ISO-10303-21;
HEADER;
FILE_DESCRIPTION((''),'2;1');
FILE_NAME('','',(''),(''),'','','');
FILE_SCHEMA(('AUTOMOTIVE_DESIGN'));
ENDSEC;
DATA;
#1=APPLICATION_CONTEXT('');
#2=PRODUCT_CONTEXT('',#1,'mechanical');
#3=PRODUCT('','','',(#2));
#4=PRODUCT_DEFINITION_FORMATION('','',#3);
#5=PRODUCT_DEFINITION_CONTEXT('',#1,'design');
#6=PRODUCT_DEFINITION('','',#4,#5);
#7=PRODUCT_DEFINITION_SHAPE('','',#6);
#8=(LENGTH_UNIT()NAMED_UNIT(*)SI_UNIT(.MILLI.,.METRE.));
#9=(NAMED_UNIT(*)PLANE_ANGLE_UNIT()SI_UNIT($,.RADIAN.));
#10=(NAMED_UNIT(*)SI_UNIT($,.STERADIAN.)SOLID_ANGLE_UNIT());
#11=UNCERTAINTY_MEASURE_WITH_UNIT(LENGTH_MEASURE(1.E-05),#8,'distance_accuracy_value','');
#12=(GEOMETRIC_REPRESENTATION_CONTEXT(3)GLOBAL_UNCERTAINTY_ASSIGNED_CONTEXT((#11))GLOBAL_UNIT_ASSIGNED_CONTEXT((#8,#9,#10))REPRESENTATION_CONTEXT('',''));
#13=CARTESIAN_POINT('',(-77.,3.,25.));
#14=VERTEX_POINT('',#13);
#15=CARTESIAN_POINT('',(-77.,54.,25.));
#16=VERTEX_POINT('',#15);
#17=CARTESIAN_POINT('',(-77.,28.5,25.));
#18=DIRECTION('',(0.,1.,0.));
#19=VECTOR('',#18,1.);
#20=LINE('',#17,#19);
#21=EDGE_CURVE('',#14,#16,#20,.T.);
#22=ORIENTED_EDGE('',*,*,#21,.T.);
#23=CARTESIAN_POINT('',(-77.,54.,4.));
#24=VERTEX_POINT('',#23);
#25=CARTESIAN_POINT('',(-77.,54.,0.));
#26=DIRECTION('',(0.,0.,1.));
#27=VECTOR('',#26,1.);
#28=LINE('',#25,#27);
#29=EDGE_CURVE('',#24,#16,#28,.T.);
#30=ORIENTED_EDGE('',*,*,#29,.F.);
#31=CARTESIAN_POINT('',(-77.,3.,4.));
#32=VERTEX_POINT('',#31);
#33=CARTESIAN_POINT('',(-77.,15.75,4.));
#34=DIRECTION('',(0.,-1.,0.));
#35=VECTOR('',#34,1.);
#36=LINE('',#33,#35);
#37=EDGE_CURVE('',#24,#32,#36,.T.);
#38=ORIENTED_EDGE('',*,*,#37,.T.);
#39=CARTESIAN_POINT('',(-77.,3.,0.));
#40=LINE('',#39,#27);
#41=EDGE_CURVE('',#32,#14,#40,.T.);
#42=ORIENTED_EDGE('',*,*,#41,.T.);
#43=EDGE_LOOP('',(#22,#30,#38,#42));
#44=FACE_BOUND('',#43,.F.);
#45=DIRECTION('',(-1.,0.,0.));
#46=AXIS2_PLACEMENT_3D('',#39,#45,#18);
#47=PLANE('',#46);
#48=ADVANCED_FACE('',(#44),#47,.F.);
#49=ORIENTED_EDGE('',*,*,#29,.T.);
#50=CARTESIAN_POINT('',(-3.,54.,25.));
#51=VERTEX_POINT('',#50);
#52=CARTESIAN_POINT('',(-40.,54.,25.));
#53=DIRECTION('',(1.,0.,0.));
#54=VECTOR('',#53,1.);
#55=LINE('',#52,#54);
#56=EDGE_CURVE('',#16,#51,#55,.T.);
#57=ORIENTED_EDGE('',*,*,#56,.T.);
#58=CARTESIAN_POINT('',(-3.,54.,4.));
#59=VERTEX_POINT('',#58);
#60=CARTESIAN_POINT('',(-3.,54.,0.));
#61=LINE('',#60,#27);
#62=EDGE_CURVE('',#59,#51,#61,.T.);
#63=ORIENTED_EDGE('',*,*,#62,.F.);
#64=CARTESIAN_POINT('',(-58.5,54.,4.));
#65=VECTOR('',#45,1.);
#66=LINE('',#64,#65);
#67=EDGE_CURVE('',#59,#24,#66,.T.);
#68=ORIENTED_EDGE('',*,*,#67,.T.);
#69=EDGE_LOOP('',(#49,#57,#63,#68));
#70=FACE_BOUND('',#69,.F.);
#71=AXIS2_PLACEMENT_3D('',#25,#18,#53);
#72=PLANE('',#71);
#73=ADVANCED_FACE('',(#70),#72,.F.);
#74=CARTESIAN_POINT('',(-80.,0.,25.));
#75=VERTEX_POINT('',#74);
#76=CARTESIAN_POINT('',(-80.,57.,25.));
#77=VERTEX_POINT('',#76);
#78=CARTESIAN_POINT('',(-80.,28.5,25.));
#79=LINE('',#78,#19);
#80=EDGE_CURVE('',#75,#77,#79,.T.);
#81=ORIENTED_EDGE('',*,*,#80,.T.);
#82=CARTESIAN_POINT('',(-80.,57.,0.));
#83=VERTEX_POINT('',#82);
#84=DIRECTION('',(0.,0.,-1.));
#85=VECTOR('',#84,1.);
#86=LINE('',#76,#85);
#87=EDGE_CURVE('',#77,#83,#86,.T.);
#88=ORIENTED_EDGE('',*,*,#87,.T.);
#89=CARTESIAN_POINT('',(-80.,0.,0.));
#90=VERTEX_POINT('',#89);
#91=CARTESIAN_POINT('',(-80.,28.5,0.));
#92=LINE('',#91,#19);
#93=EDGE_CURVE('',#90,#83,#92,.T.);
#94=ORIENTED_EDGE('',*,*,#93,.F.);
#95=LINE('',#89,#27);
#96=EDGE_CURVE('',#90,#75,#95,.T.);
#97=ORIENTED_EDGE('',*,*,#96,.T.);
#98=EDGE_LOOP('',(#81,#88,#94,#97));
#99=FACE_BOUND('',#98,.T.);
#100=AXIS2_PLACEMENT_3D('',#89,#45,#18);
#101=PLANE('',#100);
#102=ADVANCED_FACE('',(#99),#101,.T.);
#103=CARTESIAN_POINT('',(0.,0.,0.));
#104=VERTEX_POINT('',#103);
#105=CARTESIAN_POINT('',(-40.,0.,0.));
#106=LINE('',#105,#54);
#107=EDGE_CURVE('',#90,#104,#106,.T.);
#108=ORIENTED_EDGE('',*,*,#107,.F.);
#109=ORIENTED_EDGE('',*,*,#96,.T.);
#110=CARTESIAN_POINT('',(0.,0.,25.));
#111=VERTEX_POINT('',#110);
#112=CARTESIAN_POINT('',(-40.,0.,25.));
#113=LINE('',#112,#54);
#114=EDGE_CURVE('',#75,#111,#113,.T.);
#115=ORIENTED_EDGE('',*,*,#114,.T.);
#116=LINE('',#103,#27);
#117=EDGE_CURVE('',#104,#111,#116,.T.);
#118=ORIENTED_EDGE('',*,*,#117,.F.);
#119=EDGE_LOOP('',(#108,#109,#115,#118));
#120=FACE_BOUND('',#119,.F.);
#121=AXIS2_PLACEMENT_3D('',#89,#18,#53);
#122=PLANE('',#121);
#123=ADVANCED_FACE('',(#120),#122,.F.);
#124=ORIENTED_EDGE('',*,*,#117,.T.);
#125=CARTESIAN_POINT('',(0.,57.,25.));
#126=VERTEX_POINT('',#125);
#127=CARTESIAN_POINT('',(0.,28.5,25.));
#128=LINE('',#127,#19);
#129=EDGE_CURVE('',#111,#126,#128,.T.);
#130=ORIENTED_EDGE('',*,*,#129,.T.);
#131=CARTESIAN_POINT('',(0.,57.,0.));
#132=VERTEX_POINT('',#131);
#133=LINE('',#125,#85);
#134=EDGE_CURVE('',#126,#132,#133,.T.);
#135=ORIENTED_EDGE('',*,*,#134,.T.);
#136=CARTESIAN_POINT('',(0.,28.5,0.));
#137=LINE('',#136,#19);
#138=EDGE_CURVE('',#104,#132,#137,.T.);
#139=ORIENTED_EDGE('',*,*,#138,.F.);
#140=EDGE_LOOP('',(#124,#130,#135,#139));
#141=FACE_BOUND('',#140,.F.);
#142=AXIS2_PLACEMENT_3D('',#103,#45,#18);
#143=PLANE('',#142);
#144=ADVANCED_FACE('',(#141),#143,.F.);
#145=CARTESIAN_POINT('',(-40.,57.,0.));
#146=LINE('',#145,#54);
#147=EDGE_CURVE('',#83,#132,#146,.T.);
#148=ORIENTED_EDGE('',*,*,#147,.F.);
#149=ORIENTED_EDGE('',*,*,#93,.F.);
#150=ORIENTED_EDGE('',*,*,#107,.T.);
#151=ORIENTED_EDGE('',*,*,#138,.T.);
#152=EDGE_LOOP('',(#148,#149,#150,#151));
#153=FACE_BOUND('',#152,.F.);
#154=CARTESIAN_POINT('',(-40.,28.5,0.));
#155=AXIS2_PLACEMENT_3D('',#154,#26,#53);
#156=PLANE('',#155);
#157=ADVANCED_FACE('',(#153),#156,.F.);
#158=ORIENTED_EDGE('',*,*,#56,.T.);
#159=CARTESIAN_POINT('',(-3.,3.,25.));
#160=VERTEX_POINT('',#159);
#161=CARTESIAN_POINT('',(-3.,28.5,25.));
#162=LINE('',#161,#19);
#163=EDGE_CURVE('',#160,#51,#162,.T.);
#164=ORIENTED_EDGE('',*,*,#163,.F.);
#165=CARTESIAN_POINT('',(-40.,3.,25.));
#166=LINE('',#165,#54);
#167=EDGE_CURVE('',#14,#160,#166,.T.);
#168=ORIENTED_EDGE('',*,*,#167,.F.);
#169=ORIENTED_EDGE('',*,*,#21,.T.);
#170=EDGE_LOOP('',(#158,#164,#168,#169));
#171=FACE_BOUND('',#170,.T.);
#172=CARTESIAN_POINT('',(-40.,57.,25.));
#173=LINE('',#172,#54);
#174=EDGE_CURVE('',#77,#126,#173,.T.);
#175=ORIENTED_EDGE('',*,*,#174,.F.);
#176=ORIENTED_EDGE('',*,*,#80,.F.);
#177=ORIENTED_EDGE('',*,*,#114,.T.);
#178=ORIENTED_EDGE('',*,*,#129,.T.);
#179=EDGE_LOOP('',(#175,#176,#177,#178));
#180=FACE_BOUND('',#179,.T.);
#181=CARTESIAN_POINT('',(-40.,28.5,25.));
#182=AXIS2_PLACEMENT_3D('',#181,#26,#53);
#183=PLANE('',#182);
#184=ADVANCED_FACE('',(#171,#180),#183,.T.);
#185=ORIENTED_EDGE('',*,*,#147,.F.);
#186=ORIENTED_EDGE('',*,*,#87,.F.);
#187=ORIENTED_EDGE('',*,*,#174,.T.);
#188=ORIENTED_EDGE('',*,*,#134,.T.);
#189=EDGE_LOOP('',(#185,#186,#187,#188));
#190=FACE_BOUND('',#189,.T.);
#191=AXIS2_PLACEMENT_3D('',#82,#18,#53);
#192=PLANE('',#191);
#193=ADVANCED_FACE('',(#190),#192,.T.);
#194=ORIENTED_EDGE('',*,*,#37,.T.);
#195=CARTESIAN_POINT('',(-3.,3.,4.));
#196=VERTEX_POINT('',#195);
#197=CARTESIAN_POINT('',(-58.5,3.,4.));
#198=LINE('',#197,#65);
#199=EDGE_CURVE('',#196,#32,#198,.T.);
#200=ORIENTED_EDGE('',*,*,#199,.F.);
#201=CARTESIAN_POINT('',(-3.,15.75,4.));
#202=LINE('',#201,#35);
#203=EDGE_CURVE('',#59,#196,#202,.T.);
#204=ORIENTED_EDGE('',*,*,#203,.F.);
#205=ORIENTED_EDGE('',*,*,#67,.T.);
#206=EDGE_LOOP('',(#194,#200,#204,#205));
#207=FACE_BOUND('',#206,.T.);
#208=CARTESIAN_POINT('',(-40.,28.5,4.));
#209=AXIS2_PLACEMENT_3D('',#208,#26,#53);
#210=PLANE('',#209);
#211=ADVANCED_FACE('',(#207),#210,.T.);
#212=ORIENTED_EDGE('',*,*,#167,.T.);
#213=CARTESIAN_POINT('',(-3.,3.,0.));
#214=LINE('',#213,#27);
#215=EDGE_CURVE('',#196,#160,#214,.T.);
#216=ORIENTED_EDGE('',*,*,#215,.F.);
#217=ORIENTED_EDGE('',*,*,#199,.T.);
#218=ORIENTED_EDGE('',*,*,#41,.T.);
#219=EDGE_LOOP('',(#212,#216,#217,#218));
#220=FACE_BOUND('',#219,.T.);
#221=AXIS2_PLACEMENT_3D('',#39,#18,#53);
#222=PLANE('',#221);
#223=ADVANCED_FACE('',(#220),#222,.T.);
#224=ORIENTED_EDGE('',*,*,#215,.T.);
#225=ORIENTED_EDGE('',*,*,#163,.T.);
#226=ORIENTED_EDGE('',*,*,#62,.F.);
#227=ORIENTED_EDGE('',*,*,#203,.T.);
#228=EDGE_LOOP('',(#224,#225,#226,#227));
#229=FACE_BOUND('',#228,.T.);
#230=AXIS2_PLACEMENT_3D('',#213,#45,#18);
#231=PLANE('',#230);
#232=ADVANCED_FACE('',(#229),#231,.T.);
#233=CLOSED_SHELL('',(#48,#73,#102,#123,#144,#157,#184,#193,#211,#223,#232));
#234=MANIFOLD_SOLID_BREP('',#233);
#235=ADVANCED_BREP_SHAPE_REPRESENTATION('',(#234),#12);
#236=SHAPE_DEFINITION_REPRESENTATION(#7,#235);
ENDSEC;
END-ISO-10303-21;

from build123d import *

# Parameters (mm, degrees)
F0_W     = 80
F0_H     = 57
F0_W_2   = 74
F0_H_2   = 51
F1_DEPTH = 4
F2_DEPTH = 25


with BuildPart() as f1:
    # F0 (on Top) → F1 (new body)
    with BuildSketch(Plane.XY):
        with Locations((-40, 28.5)):
            Rectangle(F0_W, F0_H)
        with Locations((-40, 28.5)):
            Rectangle(F0_W_2, F0_H_2, mode=Mode.SUBTRACT)
        with Locations((-40, 28.5)):
            Rectangle(F0_W_2, F0_H_2)
    extrude(amount=F1_DEPTH)

    # F0 (on Top) → F2 (join)
    with BuildSketch(Plane.XY):
        with Locations((-40, 28.5)):
            Rectangle(F0_W, F0_H)
        with Locations((-40, 28.5)):
            Rectangle(F0_W_2, F0_H_2, mode=Mode.SUBTRACT)
    extrude(amount=F2_DEPTH)


solid = f1.part
